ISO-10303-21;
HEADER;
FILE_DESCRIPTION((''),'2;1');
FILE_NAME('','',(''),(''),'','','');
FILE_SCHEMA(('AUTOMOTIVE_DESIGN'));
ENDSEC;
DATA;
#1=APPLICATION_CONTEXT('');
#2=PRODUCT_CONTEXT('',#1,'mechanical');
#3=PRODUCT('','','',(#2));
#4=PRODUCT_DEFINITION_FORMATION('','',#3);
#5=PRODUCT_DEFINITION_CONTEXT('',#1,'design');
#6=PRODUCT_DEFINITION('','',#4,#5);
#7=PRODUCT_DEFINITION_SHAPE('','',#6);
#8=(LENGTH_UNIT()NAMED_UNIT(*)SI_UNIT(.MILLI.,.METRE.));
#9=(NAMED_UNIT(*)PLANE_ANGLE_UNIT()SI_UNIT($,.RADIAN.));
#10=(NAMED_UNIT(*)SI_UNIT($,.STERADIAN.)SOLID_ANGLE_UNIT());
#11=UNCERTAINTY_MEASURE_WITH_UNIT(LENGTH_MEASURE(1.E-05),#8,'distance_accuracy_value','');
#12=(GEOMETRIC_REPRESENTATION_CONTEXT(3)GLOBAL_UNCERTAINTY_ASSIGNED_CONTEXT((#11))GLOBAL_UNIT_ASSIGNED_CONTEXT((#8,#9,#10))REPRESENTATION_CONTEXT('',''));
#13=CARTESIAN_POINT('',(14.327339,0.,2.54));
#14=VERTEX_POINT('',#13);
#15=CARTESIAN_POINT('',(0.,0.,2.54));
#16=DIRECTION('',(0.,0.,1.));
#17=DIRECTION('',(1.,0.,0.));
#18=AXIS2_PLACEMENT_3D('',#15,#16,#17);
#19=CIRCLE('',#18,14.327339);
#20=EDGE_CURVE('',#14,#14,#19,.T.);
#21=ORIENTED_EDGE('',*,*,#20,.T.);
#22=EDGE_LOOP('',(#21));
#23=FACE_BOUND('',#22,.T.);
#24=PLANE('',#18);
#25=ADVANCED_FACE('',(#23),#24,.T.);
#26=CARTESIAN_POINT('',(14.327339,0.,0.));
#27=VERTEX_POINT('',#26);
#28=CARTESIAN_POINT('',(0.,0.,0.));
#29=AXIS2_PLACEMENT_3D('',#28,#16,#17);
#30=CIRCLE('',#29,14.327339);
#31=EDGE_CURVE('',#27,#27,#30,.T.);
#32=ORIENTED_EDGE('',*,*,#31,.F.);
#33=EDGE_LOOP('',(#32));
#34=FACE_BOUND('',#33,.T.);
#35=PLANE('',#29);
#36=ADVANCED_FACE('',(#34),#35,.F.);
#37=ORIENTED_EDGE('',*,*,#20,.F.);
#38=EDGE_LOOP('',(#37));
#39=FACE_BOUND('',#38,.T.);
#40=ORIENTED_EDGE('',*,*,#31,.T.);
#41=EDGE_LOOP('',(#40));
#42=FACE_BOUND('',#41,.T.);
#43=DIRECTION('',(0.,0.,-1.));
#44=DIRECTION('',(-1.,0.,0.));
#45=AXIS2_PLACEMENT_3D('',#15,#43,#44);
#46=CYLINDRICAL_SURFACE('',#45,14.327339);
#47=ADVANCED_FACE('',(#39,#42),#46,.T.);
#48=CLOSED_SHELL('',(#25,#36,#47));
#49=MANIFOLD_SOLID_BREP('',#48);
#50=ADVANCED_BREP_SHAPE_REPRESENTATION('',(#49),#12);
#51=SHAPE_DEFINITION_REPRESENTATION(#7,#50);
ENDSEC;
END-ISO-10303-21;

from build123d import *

# Parameters (mm, degrees)
SKETCH1_R           = 14.327338822
BOSS_EXTRUDE1_DEPTH = 2.54


with BuildPart() as part:
    # Sketch1 → Boss-Extrude1 (new body)
    with BuildSketch(Plane.XY):
        Circle(SKETCH1_R)
    extrude(amount=BOSS_EXTRUDE1_DEPTH)


solid = part.part
